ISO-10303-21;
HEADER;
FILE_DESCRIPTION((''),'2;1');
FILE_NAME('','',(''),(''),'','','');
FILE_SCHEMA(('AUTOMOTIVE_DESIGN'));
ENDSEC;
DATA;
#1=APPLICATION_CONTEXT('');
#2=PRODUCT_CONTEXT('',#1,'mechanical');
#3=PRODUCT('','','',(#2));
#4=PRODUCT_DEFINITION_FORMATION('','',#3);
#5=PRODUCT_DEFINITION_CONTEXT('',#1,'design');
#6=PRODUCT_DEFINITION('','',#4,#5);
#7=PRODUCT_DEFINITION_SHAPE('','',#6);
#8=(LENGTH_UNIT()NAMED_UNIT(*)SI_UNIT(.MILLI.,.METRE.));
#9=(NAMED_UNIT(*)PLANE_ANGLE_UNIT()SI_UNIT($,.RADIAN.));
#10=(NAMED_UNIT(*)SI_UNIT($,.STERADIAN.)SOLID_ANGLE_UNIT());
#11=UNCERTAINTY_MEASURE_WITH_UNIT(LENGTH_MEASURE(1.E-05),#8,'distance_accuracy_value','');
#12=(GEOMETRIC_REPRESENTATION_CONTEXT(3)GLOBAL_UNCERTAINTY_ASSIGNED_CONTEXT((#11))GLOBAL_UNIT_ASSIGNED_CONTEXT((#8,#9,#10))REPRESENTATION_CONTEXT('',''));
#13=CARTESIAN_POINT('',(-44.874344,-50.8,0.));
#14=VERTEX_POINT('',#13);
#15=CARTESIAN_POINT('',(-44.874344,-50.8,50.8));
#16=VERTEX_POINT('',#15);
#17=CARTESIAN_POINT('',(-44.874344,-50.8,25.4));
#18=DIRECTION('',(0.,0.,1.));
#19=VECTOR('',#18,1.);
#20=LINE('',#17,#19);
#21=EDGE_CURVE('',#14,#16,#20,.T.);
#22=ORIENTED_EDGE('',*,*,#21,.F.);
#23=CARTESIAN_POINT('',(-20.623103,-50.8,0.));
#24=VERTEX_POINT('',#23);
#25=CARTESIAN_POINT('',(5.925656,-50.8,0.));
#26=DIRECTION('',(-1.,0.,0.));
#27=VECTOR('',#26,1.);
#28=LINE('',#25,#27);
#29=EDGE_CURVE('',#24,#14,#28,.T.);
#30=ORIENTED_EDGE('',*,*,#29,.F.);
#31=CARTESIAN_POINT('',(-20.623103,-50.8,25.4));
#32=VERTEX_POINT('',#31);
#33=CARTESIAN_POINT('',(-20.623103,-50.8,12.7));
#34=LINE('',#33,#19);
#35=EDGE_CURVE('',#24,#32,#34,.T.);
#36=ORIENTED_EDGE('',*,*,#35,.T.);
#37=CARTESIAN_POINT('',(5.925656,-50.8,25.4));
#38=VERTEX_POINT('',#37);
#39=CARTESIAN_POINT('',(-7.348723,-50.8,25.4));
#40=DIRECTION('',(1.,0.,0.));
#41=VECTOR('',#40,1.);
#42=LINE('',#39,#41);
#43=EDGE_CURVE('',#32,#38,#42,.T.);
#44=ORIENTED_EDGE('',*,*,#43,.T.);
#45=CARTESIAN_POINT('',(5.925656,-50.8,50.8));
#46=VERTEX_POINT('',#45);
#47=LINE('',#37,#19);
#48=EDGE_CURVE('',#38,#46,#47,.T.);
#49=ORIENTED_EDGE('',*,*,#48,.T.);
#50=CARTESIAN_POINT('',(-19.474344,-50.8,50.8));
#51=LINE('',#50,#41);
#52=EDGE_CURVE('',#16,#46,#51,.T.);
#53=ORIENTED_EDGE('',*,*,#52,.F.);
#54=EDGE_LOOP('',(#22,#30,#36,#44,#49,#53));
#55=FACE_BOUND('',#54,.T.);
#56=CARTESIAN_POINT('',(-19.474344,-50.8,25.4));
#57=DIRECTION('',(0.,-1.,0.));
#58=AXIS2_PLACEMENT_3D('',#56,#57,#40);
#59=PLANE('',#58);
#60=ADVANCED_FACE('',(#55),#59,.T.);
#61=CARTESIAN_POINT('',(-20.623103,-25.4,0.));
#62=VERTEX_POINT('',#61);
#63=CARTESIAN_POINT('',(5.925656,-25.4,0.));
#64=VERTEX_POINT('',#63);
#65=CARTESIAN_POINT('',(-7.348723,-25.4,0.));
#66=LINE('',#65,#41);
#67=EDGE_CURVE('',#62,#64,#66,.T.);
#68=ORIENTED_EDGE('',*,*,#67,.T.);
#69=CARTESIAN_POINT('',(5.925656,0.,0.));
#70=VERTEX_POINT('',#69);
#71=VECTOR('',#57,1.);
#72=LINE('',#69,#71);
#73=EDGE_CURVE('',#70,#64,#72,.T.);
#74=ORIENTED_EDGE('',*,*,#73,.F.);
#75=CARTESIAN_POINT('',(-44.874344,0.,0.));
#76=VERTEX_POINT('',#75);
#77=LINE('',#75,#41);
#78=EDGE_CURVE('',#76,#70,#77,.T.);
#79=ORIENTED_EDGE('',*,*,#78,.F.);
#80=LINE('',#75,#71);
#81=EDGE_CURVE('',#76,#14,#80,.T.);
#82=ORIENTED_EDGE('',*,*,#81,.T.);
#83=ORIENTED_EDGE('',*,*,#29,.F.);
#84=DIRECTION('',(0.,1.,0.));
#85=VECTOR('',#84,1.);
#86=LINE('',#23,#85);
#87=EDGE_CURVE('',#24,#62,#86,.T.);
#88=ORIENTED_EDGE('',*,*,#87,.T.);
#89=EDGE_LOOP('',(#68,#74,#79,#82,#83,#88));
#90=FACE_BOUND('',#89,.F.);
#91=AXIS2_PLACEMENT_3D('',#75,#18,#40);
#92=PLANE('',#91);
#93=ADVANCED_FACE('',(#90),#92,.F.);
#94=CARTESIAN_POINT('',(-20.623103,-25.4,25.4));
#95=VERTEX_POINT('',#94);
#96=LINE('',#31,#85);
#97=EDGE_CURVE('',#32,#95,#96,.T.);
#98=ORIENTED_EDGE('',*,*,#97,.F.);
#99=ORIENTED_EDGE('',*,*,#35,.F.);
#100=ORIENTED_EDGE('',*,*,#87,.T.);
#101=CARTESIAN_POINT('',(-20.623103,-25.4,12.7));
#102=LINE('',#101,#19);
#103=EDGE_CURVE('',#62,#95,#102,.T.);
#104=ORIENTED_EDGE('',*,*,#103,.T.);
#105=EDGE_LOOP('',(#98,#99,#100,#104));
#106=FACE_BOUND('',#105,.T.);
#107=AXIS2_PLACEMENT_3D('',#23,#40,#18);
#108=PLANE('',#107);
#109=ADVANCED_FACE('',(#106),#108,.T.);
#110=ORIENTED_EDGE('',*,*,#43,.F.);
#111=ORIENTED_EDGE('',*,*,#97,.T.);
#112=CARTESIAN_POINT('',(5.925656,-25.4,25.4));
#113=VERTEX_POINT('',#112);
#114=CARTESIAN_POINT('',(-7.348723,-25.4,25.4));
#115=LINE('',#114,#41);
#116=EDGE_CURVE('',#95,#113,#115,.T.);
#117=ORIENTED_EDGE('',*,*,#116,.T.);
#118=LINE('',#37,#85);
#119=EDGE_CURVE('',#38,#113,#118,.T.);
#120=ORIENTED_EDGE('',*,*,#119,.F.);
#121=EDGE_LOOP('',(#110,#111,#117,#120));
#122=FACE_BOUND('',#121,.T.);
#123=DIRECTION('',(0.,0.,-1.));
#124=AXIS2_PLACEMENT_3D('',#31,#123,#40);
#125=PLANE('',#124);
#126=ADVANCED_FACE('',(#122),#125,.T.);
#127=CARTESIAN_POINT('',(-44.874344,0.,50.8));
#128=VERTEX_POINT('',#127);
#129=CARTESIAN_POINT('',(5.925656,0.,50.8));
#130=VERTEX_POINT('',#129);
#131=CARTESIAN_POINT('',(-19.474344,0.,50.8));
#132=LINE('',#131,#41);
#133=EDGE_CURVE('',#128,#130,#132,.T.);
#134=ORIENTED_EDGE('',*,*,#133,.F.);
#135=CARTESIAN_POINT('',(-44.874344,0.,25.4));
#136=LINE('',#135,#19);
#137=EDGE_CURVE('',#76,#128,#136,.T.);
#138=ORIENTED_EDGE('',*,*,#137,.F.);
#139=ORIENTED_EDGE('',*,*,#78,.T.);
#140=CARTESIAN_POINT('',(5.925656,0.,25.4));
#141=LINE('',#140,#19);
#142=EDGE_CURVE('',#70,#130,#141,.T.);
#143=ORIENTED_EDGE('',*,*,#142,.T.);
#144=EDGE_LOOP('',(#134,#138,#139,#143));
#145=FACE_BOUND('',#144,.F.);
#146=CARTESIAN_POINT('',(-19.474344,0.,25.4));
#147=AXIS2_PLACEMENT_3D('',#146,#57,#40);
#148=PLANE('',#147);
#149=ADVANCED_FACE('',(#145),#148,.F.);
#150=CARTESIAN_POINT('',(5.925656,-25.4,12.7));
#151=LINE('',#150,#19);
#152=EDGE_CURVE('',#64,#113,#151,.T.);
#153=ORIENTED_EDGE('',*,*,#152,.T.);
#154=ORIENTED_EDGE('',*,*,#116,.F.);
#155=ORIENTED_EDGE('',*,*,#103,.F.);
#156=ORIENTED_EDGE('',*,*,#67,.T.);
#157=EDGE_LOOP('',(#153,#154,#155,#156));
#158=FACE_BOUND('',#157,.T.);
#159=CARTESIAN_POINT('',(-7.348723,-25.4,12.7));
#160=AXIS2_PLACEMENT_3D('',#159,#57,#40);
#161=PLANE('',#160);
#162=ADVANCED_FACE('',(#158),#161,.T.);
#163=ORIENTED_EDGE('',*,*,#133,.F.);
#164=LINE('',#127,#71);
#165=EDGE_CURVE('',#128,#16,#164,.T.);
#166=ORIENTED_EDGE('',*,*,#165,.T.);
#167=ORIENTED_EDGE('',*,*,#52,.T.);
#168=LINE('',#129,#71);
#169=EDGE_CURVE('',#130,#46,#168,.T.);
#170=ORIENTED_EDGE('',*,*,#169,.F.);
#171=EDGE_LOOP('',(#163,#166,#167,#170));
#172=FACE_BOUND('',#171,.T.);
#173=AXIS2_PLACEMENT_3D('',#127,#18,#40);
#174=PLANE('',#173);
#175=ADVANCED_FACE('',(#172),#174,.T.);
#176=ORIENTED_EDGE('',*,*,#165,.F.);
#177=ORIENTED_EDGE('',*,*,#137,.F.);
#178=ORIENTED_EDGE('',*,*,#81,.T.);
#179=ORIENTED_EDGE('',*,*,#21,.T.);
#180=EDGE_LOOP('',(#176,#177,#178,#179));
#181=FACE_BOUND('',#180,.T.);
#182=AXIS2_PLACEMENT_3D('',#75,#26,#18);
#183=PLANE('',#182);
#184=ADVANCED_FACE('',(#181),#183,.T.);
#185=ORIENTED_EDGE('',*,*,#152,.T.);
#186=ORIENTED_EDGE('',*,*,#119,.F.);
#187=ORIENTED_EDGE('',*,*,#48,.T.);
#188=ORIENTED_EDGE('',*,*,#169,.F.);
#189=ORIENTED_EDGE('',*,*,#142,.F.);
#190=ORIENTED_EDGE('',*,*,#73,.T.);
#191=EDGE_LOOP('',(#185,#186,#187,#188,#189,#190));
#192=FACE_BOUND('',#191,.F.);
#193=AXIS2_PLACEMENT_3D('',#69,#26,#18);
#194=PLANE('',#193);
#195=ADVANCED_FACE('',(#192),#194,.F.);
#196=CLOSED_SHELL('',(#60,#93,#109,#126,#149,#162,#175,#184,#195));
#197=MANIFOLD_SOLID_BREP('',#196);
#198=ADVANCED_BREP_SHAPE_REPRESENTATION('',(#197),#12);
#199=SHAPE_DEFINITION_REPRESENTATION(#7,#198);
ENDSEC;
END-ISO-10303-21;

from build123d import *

# Parameters (mm, degrees)
F0_W     = 50.8
F0_H     = 50.8
F1_DEPTH = 50.8
F2_W     = 25.4
F2_H     = 25.4
F3_DEPTH = 50.8
F4_W     = 25.4
F4_H     = 25.4
F5_DEPTH = 101.6
F6_W     = 26.5487587631
F6_H     = 25.4
F7_DEPTH = 25.4


with BuildPart() as f1:
    # F0 (on Front) → F1 (new body)
    with BuildSketch(Plane.XZ):
        with Locations((-19.4743440211, 25.4)):
            Rectangle(F0_W, F0_H)
    extrude(amount=F1_DEPTH)

    # F2 (on Top) → F3 (cut)
    with BuildSketch(Plane.XY):
        with Locations((-32.7472079873, -12.7)):
            Rectangle(F2_W, F2_H)
        with Locations((-32.7472079873, -38.1)):
            Rectangle(F2_W, F2_H)
        with Locations((-7.3472079873, -38.1)):
            Rectangle(F2_W, F2_H)
    extrude(amount=-F3_DEPTH, mode=Mode.SUBTRACT)

    # F4 (on Top) → F5 (cut)
    with BuildSketch(Plane.XY):
        with Locations((-12.7, -17.0889281064)):
            Rectangle(F4_W, F4_H)
    extrude(amount=-F5_DEPTH, mode=Mode.SUBTRACT)

    # F6 (on face) → F7 (cut)
    with BuildSketch(Plane.XZ.offset(50.8)):
        with Locations((-7.3487234026, 12.7)):
            Rectangle(F6_W, F6_H)
    extrude(amount=-F7_DEPTH, mode=Mode.SUBTRACT)


solid = f1.part
